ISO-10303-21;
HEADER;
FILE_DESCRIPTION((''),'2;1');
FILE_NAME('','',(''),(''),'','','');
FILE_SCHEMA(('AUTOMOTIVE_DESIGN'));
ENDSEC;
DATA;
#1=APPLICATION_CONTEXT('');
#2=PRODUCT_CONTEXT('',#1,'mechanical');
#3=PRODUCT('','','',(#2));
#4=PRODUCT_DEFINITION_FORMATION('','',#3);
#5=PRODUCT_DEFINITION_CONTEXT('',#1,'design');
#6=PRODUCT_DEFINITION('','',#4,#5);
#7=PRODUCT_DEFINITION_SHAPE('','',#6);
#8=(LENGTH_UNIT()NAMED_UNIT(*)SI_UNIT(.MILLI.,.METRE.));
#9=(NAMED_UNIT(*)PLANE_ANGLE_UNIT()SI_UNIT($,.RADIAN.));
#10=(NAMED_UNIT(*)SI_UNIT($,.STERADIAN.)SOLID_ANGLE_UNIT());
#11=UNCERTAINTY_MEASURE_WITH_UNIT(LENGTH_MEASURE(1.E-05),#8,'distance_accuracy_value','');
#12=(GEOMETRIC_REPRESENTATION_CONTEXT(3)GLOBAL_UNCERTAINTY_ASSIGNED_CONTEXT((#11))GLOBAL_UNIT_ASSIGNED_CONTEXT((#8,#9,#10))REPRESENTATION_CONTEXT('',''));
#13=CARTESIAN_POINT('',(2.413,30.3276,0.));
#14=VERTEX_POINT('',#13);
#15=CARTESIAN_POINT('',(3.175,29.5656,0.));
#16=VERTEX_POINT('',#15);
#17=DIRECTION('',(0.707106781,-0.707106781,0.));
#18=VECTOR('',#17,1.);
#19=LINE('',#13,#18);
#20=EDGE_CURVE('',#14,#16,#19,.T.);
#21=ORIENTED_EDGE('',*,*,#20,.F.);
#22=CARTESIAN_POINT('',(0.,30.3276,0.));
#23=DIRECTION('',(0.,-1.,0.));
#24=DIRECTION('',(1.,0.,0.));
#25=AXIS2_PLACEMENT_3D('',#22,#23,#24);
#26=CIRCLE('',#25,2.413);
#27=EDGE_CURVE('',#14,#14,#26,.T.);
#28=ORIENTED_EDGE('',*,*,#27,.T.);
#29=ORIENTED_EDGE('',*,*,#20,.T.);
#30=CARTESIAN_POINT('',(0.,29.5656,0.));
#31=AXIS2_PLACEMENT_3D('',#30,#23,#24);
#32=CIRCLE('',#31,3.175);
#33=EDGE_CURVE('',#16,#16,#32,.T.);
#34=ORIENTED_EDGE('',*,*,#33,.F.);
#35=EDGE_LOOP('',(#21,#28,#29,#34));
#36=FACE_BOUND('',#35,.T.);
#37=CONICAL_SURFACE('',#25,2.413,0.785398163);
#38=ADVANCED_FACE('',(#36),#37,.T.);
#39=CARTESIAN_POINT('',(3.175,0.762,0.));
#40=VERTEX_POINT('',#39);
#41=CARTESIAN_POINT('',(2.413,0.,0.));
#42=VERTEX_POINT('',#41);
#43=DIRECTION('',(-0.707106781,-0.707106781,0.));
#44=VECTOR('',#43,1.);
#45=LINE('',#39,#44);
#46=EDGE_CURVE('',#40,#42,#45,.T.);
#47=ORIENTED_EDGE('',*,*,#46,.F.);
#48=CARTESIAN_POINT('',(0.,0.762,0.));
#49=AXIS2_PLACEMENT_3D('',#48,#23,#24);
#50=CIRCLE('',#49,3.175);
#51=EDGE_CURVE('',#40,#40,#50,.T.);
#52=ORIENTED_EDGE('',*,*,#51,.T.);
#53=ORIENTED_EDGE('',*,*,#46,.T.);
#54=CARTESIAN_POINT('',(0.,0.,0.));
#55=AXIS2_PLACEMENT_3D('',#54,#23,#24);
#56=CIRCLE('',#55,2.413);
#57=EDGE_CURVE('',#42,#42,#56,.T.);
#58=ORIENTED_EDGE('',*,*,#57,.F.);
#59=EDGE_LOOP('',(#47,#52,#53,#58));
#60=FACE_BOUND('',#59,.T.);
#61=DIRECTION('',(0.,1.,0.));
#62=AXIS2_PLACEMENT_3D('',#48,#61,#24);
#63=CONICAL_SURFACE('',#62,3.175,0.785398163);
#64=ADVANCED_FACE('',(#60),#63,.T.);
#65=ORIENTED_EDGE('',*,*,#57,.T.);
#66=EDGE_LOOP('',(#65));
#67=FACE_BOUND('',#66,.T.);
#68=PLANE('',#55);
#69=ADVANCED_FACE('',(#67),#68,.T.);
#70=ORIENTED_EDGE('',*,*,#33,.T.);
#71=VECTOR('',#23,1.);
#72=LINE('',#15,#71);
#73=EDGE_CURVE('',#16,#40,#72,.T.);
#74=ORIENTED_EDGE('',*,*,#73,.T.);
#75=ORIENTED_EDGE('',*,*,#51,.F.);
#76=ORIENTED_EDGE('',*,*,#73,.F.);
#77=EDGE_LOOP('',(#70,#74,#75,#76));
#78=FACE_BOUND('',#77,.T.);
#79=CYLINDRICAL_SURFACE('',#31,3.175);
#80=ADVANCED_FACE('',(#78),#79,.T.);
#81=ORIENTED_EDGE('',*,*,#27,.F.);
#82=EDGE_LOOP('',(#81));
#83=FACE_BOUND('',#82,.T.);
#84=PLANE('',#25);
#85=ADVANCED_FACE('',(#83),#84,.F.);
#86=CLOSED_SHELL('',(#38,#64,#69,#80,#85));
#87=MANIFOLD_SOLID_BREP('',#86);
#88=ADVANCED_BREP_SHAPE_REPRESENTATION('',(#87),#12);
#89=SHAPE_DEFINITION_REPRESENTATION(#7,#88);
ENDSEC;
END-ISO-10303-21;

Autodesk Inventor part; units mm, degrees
sketch "Sketch_10" plane through (0, 0, 0) normal (0, 0, 1) x (1, 0, 0)
  line L0 (0, 0) -> (0, 30.3276)
  line L1 (0, 30.3276) -> (2.413, 30.3276)
  line L2 (2.413, 30.3276) -> (3.175, 29.5656)
  line L3 (3.175, 29.5656) -> (3.175, 0.762)
  line L4 (3.175, 0.762) -> (2.413, 0)
  line L5 (2.413, 0) -> (0, 0)
  line L6 (0, 0) -> (0, 30.3276)
revolve "Revolution1" add sketch "Sketch_10" angle 360 about axis through (0, 0, 0) along (0, -1, 0)
ref_plane "b11_XY" through (0, 0, 0) normal (0, 1, 0) x (1, 0, 0)
ref_plane "b11_YZ" through (0, 0, 0) normal (1, 0, 0) x (0, 0, -1)
ref_plane "b11_ZX" through (0, 0, 0) normal (0, 0, -1) x (0, 1, 0)
ref_plane "b2_XY" through (0, 30.3276, 0) normal (0, 1, 0) x (1, 0, 0)
ref_plane "b2_YZ" through (0, 30.3276, 0) normal (1, 0, 0) x (0, 0, -1)
ref_plane "b2_ZX" through (0, 30.3276, 0) normal (0, 0, -1) x (0, 1, 0)
ref_plane "f1_XY" through (0, 30.3276, 3.175) normal (1, 0, 0) x (0, 0, -1)
ref_plane "f1_YZ" through (0, 30.3276, 3.175) normal (0, 0, -1) x (0, 1, 0)
ref_plane "f1_ZX" through (0, 30.3276, 3.175) normal (0, 1, 0) x (1, 0, 0)
ref_plane "f2_XY" through (0, 30.3276, -3.175) normal (1, 0, 0) x (0, 0, -1)
ref_plane "f2_YZ" through (0, 30.3276, -3.175) normal (0, 0, -1) x (0, 1, 0)
ref_plane "f2_ZX" through (0, 30.3276, -3.175) normal (0, 1, 0) x (1, 0, 0)
ref_plane "h1_XY" through (-2.7496, 30.3276, 0) normal (0, 1, 0) x (1, 0, 0)
ref_plane "h1_YZ" through (-2.7496, 30.3276, 0) normal (1, 0, 0) x (0, 0, -1)
ref_plane "h1_ZX" through (-2.7496, 30.3276, 0) normal (0, 0, -1) x (0, 1, 0)
ref_plane "h2_XY" through (2.7496, 30.3276, 0) normal (0, 1, 0) x (1, 0, 0)
ref_plane "h2_YZ" through (2.7496, 30.3276, 0) normal (1, 0, 0) x (0, 0, -1)
ref_plane "h2_ZX" through (2.7496, 30.3276, 0) normal (0, 0, -1) x (0, 1, 0)
ref_plane "npt1_XY" through (0, 30.3276, 0) normal (0, 1, 0) x (1, 0, 0)
ref_plane "npt1_YZ" through (0, 30.3276, 0) normal (1, 0, 0) x (0, 0, -1)
ref_plane "npt1_ZX" through (0, 30.3276, 0) normal (0, 0, -1) x (0, 1, 0)
ref_plane "npt1_1_XY" through (0, 0, 0) normal (0, 1, 0) x (1, 0, 0)
ref_plane "npt1_1_YZ" through (0, 0, 0) normal (1, 0, 0) x (0, 0, -1)
ref_plane "npt1_1_ZX" through (0, 0, 0) normal (0, 0, -1) x (0, 1, 0)
ref_plane "npt2_XY" through (0, 30.3276, 0) normal (0, 1, 0) x (1, 0, 0)
ref_plane "npt2_YZ" through (0, 30.3276, 0) normal (1, 0, 0) x (0, 0, -1)
ref_plane "npt2_ZX" through (0, 30.3276, 0) normal (0, 0, -1) x (0, 1, 0)
ref_plane "npt2_1_XY" through (0, 0, 0) normal (0, 1, 0) x (1, 0, 0)
ref_plane "npt2_1_YZ" through (0, 0, 0) normal (1, 0, 0) x (0, 0, -1)
ref_plane "npt2_1_ZX" through (0, 0, 0) normal (0, 0, -1) x (0, 1, 0)
ref_plane "rod_XY" through (0, 0, 0) normal (0, 1, 0) x (1, 0, 0)
ref_plane "rod_YZ" through (0, 0, 0) normal (1, 0, 0) x (0, 0, -1)
ref_plane "rod_ZX" through (0, 0, 0) normal (0, 0, -1) x (0, 1, 0)
ref_plane "rod_to_part_XY" through (0, 0, 0) normal (0, 1, 0) x (1, 0, 0)
ref_plane "rod_to_part_YZ" through (0, 0, 0) normal (1, 0, 0) x (0, 0, -1)
ref_plane "rod_to_part_ZX" through (0, 0, 0) normal (0, 0, -1) x (0, 1, 0)
ref_plane "th1_XY" through (0, 30.3276, 2.0828) normal (0, 1, 0) x (1, 0, 0)
ref_plane "th1_YZ" through (0, 30.3276, 2.0828) normal (1, 0, 0) x (0, 0, -1)
ref_plane "th1_ZX" through (0, 30.3276, 2.0828) normal (0, 0, -1) x (0, 1, 0)
ref_plane "th2_XY" through (0, 30.3276, -2.0828) normal (0, 1, 0) x (1, 0, 0)
ref_plane "th2_YZ" through (0, 30.3276, -2.0828) normal (1, 0, 0) x (0, 0, -1)
ref_plane "th2_ZX" through (0, 30.3276, -2.0828) normal (0, 0, -1) x (0, 1, 0)
ref_plane "to_rod_pivot_XY" through (0, 30.3276, 0) normal (0, 1, 0) x (1, 0, 0)
ref_plane "to_rod_pivot_YZ" through (0, 30.3276, 0) normal (1, 0, 0) x (0, 0, -1)
ref_plane "to_rod_pivot_ZX" through (0, 30.3276, 0) normal (0, 0, -1) x (0, 1, 0)
ref_plane "to_rod_pivot1_XY" through (0, 0, 0) normal (0, 1, 0) x (1, 0, 0)
ref_plane "to_rod_pivot1_YZ" through (0, 0, 0) normal (1, 0, 0) x (0, 0, -1)
ref_plane "to_rod_pivot1_ZX" through (0, 0, 0) normal (0, 0, -1) x (0, 1, 0)
properties part number "FO-020.751.194NT-00_rod-bif"
